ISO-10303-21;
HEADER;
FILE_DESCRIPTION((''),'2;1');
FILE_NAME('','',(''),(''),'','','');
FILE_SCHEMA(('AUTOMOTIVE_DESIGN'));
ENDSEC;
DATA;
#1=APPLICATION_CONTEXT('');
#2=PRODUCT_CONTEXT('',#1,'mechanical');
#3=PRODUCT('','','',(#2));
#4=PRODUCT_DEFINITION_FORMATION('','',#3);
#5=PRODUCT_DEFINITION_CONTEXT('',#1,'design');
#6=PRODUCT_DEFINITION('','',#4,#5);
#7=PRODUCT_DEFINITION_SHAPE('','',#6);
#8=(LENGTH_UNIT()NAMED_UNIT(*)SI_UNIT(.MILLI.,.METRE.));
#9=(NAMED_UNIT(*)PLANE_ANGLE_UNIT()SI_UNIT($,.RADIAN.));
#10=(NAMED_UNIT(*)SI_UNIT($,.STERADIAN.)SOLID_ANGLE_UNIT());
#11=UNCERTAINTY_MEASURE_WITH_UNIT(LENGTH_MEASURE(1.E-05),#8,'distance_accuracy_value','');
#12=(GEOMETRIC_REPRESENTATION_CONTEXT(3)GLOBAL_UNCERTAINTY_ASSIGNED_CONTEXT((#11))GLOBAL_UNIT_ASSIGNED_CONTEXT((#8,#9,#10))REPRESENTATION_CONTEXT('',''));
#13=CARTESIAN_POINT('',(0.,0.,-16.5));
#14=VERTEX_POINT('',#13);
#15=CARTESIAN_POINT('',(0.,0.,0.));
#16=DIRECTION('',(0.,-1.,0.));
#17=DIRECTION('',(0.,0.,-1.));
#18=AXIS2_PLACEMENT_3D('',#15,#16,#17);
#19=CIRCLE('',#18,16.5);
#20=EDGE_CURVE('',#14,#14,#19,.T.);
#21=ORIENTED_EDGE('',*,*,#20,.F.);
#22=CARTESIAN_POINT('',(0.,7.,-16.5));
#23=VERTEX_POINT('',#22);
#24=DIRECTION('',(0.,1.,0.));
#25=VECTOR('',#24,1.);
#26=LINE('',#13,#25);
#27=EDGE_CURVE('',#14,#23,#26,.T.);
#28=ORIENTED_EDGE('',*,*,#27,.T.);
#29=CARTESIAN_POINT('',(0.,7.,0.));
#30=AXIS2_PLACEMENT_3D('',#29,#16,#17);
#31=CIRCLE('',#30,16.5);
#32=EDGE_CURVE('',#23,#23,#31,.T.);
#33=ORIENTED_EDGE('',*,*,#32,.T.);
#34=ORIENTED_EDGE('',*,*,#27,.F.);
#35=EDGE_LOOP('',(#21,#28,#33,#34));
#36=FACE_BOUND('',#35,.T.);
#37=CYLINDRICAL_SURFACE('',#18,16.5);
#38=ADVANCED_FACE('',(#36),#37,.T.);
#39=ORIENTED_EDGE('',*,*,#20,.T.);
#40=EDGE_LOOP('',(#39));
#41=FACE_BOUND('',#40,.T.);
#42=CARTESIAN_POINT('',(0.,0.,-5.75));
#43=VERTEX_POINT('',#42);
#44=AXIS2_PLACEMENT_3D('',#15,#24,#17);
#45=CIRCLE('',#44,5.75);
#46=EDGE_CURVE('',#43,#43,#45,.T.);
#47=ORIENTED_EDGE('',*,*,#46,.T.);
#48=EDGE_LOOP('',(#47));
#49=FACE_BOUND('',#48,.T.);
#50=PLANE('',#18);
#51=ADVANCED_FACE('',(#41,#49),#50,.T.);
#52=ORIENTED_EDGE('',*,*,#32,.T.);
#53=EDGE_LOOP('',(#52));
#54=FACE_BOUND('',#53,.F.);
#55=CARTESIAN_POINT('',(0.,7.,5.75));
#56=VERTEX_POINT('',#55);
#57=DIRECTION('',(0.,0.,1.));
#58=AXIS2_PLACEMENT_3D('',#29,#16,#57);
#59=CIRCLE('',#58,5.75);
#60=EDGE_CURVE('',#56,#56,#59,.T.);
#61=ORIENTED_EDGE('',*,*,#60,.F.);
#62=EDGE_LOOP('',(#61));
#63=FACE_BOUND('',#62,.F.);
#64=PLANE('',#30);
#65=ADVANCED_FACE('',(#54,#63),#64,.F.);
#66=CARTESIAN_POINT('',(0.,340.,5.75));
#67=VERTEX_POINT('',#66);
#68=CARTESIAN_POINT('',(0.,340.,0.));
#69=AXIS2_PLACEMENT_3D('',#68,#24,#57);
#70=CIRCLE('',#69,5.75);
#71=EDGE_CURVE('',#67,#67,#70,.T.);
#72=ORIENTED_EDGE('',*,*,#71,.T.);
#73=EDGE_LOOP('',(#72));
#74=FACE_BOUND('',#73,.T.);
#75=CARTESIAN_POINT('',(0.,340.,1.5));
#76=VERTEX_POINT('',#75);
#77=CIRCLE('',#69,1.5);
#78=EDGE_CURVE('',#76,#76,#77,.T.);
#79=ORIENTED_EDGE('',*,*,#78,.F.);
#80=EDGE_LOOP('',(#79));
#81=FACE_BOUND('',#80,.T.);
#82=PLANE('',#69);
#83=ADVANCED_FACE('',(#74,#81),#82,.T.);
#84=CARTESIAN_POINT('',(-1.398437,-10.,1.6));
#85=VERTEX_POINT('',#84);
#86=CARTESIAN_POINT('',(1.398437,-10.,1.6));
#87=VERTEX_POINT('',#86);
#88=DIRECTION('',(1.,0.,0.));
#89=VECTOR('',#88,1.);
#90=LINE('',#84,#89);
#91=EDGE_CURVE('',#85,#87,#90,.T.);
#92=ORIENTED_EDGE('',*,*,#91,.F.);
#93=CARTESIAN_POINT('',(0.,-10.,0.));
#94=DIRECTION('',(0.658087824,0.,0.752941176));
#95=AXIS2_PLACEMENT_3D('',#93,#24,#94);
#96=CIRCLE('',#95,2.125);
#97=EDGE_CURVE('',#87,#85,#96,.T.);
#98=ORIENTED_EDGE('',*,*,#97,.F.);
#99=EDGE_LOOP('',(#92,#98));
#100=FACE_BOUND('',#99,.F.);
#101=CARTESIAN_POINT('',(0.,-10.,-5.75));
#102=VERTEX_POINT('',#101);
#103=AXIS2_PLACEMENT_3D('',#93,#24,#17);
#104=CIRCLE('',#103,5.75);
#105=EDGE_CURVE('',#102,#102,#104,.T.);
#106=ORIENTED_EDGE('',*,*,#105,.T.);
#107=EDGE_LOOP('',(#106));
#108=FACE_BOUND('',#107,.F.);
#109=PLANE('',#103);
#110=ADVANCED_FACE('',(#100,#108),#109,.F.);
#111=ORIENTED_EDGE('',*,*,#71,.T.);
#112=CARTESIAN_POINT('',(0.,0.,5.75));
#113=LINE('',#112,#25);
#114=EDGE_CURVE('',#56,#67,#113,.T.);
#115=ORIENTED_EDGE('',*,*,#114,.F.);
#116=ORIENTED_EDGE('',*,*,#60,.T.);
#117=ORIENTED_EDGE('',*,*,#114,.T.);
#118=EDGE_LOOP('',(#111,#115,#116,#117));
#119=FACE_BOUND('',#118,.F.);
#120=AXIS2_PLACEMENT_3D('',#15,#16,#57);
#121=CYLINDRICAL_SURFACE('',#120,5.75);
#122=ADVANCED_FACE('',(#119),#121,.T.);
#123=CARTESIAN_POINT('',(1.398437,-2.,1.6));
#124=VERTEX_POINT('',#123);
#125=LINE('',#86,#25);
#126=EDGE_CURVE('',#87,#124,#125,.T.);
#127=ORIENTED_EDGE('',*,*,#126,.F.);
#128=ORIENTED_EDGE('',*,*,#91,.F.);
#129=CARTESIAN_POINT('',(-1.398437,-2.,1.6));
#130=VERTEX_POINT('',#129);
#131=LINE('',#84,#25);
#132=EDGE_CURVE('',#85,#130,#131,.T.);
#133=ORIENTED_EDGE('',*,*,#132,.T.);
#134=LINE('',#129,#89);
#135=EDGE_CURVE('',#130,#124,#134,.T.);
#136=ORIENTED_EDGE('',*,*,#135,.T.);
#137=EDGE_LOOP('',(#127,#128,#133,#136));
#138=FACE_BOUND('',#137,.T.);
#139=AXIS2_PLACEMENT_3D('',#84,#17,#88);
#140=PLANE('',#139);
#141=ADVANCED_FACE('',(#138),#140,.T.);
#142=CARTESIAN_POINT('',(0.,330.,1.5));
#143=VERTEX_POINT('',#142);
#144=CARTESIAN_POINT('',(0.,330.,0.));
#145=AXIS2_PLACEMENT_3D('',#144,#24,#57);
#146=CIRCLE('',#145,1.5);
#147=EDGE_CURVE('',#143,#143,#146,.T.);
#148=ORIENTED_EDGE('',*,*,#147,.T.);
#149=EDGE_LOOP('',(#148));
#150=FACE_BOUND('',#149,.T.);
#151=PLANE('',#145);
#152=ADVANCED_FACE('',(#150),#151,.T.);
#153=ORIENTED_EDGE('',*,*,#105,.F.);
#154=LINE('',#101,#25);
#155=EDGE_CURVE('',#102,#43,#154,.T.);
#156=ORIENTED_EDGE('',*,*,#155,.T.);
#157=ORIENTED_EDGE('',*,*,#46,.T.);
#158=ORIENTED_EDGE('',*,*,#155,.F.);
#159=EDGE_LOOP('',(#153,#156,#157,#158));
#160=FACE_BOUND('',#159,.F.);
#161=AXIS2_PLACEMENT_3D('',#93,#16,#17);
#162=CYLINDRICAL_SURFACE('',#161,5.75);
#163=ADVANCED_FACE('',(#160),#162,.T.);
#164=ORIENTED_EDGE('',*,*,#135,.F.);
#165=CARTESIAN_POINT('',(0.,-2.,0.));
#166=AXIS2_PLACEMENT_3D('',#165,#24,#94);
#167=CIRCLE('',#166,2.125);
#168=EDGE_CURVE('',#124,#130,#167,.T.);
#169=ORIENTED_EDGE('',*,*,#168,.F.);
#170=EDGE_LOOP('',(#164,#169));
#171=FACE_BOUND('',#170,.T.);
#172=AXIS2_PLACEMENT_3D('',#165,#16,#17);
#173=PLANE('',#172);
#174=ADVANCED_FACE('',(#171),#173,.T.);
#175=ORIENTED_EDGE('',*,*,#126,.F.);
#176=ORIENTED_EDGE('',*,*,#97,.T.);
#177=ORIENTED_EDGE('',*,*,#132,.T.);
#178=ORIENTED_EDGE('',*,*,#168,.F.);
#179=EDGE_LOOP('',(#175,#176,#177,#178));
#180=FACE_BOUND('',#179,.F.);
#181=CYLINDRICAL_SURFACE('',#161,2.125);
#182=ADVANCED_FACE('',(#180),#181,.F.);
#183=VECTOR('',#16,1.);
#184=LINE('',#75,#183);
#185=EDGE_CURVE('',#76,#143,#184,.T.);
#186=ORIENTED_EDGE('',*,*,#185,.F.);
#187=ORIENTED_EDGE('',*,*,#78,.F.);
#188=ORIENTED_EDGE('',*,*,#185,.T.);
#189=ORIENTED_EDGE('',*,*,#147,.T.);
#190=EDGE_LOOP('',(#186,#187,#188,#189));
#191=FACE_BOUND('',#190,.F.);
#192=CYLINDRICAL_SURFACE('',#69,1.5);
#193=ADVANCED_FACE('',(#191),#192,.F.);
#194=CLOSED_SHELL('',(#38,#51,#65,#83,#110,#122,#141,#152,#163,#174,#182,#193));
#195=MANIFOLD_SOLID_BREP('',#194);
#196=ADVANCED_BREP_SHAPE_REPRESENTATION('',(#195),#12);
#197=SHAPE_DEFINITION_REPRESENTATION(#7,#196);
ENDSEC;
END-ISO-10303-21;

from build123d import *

# Parameters (mm, degrees)
SKETCH1_R           = 5.75
SKETCH1_R_2         = 2
BOSS_EXTRUDE1_DEPTH = 340
SKETCH33_R          = 16.5
BOSS_EXTRUDE2_DEPTH = 7
BOSS_EXTRUDE5_START = -10
SKETCH1_4_R         = 5.75
SKETCH1_4_R_2       = 2
BOSS_EXTRUDE5_DEPTH = 10
SKETCH38_R          = 2.125
CUT_EXTRUDE1_DEPTH  = 8
BOSS_EXTRUDE6_START = 8
BOSS_EXTRUDE6_DEPTH = 8
SKETCH40_R          = 1.5
CUT_EXTRUDE2_DEPTH  = 10


with BuildPart() as part:
    # Sketch1 → Boss-Extrude1 (new body)
    # profile 1 of 2: a face of its own
    with BuildSketch(Plane(origin=(0, 0, 0), x_dir=(1, 0, 0), z_dir=(0, 1, 0))):
        with Locations(Location((0, 0, 0), (0, 0, 270))):
            Circle(SKETCH1_R)
        Circle(SKETCH1_R_2, mode=Mode.SUBTRACT)
    # profile 2 of 2: a face of its own
    with BuildSketch(Plane(origin=(0, 0, 0), x_dir=(1, 0, 0), z_dir=(0, 1, 0))):
        Circle(SKETCH1_R_2)
    extrude(amount=BOSS_EXTRUDE1_DEPTH)

    # Sketch33 → Boss-Extrude2 (add)
    with BuildSketch(Plane.XZ):
        with Locations(Location((0, 0, 0), (0, 0, 270))):
            Circle(SKETCH33_R)
    extrude(amount=-BOSS_EXTRUDE2_DEPTH)

    # Sketch1<4> → Boss-Extrude5 (add)
    # profile 1 of 2: a face of its own
    with BuildSketch(Plane(origin=(0, 0, 0), x_dir=(1, 0, 0), z_dir=(0, 1, 0)).offset(BOSS_EXTRUDE5_START)):
        with Locations(Location((0, 0, 0), (0, 0, 90))):
            Circle(SKETCH1_4_R)
        Circle(SKETCH1_4_R_2, mode=Mode.SUBTRACT)
    # profile 2 of 2: a face of its own
    with BuildSketch(Plane(origin=(0, 0, 0), x_dir=(1, 0, 0), z_dir=(0, 1, 0)).offset(BOSS_EXTRUDE5_START)):
        Circle(SKETCH1_4_R_2)
    extrude(amount=BOSS_EXTRUDE5_DEPTH)

    # Sketch38 → Cut-Extrude1 (cut)
    with BuildSketch(Plane.XZ.offset(10)):
        with Locations(Location((0, 0, 0), (0, 0, 270))):
            Circle(SKETCH38_R)
    extrude(amount=-CUT_EXTRUDE1_DEPTH, mode=Mode.SUBTRACT)

    # Sketch39 → Boss-Extrude6 (add)
    with BuildSketch(Plane.XZ.offset(2).offset(BOSS_EXTRUDE6_START)):
        with BuildLine():
            ThreePointArc((1.398436627, 1.6), (0, 2.125), (-1.398436627, 1.6))
            Line((-1.398436627, 1.6), (1.398436627, 1.6))
        make_face()
    extrude(amount=-BOSS_EXTRUDE6_DEPTH)

    # Sketch40 → Cut-Extrude2 (cut)
    with BuildSketch(Plane(origin=(0, 340, 0), x_dir=(1, 0, 0), z_dir=(0, 1, 0))):
        with Locations(Location((0, 0, 0), (0, 0, 270))):
            Circle(SKETCH40_R)
    extrude(amount=-CUT_EXTRUDE2_DEPTH, mode=Mode.SUBTRACT)


solid = part.part
